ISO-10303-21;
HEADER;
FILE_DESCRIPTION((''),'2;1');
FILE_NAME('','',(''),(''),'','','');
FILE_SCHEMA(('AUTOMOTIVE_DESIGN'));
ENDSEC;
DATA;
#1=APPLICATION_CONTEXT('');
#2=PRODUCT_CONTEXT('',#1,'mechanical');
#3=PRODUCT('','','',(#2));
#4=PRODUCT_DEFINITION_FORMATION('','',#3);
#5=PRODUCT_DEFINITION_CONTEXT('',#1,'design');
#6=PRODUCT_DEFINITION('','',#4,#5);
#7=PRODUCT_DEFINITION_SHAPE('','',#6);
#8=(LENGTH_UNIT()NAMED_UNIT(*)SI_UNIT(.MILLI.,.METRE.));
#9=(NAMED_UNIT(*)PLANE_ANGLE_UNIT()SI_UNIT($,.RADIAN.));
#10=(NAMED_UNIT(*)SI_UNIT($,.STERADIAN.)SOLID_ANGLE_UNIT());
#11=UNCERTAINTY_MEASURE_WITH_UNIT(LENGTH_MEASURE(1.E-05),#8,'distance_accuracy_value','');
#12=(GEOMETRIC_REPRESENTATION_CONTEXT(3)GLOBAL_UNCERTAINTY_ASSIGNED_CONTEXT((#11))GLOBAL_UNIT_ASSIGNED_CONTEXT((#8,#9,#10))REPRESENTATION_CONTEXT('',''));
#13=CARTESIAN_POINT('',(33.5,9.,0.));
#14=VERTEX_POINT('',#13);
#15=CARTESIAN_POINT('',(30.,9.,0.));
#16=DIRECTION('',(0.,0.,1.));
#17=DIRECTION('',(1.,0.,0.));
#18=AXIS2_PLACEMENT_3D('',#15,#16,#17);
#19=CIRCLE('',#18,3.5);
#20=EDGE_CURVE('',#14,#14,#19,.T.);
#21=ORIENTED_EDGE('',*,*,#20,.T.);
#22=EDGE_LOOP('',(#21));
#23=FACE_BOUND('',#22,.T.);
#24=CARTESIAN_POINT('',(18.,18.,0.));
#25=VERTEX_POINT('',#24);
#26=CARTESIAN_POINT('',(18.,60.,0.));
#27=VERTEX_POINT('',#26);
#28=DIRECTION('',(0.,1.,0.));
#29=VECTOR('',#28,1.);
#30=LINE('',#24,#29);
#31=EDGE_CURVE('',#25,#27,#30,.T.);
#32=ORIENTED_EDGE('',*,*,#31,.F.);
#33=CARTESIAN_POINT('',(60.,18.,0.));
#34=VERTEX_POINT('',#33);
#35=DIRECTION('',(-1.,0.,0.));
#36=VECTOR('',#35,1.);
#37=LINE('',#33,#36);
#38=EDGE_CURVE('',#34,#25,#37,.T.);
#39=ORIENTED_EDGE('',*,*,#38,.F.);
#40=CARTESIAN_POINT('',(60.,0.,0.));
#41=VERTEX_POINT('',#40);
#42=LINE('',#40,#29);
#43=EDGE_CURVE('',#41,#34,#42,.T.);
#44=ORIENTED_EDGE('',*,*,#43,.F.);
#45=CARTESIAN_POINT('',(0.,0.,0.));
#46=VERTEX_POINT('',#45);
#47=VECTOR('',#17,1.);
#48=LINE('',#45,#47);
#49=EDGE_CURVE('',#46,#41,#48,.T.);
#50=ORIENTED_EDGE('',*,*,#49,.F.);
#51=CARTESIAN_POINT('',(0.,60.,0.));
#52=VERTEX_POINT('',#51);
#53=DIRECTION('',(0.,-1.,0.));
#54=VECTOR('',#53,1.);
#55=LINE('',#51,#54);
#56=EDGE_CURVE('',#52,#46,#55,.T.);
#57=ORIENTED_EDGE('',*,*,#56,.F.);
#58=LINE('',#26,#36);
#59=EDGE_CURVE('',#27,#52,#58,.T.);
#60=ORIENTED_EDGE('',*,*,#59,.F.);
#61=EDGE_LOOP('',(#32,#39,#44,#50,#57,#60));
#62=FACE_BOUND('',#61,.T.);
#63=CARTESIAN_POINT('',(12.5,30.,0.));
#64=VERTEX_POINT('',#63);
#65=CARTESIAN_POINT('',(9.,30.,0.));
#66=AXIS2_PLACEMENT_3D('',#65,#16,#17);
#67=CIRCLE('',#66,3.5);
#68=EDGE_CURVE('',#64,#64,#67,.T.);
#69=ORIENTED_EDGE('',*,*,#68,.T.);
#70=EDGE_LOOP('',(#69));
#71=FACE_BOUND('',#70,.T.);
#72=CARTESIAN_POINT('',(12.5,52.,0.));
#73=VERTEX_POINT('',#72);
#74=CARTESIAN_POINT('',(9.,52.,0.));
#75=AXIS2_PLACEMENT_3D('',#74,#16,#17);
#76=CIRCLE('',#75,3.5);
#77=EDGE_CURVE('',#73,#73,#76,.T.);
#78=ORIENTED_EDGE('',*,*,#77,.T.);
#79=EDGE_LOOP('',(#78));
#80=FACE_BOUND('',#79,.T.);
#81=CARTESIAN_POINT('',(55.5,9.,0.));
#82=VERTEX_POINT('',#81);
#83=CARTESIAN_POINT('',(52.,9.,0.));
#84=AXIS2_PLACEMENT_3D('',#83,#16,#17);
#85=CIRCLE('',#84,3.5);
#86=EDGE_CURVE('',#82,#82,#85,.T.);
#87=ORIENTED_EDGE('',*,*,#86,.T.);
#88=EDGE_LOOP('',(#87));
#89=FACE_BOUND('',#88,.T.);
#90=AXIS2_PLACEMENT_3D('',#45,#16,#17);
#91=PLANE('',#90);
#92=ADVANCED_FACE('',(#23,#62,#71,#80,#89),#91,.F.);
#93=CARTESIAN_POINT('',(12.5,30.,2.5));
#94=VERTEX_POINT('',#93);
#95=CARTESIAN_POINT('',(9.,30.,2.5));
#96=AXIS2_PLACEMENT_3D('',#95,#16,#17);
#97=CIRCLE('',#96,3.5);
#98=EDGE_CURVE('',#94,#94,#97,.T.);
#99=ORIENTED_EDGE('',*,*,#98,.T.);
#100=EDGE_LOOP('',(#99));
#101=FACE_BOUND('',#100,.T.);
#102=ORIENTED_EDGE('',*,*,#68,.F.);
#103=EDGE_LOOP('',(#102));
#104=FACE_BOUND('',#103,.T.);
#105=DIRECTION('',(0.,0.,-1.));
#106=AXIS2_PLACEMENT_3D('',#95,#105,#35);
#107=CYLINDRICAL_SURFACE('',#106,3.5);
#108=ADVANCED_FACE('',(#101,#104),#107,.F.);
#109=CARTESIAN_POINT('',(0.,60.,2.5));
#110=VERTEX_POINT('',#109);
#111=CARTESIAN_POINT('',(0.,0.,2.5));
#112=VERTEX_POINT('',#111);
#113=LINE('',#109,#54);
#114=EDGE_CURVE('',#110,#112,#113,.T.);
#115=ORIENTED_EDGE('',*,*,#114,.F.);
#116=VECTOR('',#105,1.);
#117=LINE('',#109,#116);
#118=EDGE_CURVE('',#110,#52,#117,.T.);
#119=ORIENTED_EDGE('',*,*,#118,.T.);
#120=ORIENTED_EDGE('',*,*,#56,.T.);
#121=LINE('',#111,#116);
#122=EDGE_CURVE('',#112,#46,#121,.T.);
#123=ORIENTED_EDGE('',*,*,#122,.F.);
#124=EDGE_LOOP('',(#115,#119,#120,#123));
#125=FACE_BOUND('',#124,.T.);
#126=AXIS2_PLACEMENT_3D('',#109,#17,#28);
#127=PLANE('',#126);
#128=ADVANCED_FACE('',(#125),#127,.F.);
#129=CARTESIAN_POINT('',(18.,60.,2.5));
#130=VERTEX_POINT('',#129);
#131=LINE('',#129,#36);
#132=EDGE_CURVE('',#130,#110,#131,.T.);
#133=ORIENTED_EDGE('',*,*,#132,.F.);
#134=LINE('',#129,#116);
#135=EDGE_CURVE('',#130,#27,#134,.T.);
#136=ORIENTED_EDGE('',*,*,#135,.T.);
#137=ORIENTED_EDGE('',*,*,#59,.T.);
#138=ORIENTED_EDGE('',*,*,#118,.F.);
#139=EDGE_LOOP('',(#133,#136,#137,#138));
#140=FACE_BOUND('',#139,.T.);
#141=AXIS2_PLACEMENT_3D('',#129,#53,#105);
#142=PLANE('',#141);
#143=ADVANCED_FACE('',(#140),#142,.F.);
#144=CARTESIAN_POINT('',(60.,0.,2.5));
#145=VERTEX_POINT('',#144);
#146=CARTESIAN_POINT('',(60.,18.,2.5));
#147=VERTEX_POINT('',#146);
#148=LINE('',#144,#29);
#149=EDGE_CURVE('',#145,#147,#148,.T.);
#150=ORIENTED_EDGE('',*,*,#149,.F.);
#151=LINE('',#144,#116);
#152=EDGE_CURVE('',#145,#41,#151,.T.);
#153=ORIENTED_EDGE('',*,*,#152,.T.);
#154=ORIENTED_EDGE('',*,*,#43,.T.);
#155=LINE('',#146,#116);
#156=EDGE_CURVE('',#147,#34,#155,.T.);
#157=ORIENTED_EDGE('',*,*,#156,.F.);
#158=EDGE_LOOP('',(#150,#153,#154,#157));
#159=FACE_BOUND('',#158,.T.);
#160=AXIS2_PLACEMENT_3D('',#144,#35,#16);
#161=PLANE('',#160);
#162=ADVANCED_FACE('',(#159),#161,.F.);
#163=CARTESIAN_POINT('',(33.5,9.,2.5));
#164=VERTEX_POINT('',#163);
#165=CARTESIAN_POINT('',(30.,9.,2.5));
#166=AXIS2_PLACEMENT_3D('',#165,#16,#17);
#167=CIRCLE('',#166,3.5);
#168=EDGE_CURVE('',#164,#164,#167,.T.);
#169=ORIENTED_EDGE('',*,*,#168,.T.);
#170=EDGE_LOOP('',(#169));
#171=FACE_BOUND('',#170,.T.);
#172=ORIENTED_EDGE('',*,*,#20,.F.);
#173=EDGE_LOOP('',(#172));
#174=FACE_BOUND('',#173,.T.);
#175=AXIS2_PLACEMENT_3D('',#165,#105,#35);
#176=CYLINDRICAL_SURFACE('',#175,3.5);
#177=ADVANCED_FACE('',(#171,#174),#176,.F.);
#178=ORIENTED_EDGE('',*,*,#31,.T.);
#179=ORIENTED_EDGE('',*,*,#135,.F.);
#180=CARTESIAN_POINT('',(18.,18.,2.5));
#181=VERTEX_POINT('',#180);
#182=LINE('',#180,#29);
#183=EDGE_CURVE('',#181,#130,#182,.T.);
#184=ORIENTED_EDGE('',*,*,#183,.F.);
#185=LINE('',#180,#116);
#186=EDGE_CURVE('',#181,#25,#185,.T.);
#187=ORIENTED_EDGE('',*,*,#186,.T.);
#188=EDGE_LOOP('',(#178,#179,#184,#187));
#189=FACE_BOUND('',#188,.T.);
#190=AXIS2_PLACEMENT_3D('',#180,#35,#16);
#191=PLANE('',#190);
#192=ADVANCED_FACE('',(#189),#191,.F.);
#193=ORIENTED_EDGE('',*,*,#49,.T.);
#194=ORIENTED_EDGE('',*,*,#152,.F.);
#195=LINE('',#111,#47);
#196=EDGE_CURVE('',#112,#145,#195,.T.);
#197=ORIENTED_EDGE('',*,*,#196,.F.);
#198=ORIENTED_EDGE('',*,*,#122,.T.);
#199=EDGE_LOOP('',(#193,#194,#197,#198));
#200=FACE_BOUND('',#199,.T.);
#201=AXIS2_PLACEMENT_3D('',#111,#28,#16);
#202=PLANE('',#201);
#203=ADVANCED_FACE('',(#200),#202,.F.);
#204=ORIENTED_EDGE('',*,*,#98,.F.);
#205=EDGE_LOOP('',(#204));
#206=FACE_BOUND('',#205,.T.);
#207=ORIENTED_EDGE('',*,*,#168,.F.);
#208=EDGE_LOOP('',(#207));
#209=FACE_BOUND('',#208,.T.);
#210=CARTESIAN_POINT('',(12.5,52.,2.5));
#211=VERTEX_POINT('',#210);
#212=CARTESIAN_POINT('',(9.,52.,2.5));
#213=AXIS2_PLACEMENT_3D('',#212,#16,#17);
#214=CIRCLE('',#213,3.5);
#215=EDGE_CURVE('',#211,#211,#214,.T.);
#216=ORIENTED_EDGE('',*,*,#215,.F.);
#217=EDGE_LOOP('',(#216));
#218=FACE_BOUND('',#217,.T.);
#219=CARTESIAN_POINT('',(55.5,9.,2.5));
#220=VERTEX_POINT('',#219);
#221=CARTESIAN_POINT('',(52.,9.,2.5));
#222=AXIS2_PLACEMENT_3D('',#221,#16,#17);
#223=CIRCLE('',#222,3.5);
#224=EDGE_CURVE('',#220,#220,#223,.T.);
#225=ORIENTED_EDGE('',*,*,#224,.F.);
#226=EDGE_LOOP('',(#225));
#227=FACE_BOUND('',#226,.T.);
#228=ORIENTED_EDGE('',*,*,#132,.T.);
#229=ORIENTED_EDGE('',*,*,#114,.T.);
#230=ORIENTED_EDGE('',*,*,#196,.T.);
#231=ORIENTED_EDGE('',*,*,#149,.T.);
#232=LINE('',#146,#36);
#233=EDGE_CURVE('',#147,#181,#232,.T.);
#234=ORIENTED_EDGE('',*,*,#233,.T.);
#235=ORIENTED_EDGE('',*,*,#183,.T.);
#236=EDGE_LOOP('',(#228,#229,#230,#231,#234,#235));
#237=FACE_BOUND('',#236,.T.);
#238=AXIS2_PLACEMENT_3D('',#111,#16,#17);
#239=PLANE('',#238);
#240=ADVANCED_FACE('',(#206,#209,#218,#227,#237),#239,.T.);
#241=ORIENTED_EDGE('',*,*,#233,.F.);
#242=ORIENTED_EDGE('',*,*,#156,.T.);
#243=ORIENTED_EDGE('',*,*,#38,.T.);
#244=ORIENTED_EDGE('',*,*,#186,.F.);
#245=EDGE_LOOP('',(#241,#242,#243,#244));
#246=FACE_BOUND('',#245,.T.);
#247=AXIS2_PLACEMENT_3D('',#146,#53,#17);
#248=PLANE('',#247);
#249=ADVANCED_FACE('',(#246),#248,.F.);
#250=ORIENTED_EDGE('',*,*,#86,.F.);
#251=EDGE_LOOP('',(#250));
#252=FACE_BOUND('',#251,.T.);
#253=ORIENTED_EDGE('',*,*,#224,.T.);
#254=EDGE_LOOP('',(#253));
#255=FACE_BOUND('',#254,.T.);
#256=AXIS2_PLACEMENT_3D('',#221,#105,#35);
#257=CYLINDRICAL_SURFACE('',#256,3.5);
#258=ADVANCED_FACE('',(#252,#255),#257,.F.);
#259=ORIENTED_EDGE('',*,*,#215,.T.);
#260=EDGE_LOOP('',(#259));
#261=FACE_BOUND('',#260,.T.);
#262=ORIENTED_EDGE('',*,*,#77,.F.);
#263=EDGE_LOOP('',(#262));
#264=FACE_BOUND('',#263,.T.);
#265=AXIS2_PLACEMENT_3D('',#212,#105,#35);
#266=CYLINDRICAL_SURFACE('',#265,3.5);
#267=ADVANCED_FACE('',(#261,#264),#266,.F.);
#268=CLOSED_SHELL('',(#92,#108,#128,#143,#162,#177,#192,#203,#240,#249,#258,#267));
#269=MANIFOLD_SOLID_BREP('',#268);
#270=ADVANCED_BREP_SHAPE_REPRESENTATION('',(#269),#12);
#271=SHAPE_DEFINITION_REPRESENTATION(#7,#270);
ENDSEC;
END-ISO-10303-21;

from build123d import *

# Parameters (mm, degrees)
SKETCH_1_R      = 3.5
EXTRUDE_1_DEPTH = 2.5


with BuildPart() as part:
    # Эскиз1 → Бобышка-Вытянуть1 (new body)
    with BuildSketch(Plane.XY):
        Polygon((0, 60), (0, 0), (60, 0), (60, 18), (18, 18), (18, 60), align=None)
        with Locations((9, 52)):
            Circle(SKETCH_1_R, mode=Mode.SUBTRACT)
        with Locations((9, 30)):
            Circle(SKETCH_1_R, mode=Mode.SUBTRACT)
        with Locations((30, 9)):
            Circle(SKETCH_1_R, mode=Mode.SUBTRACT)
        with Locations((52, 9)):
            Circle(SKETCH_1_R, mode=Mode.SUBTRACT)
    extrude(amount=EXTRUDE_1_DEPTH)


solid = part.part
